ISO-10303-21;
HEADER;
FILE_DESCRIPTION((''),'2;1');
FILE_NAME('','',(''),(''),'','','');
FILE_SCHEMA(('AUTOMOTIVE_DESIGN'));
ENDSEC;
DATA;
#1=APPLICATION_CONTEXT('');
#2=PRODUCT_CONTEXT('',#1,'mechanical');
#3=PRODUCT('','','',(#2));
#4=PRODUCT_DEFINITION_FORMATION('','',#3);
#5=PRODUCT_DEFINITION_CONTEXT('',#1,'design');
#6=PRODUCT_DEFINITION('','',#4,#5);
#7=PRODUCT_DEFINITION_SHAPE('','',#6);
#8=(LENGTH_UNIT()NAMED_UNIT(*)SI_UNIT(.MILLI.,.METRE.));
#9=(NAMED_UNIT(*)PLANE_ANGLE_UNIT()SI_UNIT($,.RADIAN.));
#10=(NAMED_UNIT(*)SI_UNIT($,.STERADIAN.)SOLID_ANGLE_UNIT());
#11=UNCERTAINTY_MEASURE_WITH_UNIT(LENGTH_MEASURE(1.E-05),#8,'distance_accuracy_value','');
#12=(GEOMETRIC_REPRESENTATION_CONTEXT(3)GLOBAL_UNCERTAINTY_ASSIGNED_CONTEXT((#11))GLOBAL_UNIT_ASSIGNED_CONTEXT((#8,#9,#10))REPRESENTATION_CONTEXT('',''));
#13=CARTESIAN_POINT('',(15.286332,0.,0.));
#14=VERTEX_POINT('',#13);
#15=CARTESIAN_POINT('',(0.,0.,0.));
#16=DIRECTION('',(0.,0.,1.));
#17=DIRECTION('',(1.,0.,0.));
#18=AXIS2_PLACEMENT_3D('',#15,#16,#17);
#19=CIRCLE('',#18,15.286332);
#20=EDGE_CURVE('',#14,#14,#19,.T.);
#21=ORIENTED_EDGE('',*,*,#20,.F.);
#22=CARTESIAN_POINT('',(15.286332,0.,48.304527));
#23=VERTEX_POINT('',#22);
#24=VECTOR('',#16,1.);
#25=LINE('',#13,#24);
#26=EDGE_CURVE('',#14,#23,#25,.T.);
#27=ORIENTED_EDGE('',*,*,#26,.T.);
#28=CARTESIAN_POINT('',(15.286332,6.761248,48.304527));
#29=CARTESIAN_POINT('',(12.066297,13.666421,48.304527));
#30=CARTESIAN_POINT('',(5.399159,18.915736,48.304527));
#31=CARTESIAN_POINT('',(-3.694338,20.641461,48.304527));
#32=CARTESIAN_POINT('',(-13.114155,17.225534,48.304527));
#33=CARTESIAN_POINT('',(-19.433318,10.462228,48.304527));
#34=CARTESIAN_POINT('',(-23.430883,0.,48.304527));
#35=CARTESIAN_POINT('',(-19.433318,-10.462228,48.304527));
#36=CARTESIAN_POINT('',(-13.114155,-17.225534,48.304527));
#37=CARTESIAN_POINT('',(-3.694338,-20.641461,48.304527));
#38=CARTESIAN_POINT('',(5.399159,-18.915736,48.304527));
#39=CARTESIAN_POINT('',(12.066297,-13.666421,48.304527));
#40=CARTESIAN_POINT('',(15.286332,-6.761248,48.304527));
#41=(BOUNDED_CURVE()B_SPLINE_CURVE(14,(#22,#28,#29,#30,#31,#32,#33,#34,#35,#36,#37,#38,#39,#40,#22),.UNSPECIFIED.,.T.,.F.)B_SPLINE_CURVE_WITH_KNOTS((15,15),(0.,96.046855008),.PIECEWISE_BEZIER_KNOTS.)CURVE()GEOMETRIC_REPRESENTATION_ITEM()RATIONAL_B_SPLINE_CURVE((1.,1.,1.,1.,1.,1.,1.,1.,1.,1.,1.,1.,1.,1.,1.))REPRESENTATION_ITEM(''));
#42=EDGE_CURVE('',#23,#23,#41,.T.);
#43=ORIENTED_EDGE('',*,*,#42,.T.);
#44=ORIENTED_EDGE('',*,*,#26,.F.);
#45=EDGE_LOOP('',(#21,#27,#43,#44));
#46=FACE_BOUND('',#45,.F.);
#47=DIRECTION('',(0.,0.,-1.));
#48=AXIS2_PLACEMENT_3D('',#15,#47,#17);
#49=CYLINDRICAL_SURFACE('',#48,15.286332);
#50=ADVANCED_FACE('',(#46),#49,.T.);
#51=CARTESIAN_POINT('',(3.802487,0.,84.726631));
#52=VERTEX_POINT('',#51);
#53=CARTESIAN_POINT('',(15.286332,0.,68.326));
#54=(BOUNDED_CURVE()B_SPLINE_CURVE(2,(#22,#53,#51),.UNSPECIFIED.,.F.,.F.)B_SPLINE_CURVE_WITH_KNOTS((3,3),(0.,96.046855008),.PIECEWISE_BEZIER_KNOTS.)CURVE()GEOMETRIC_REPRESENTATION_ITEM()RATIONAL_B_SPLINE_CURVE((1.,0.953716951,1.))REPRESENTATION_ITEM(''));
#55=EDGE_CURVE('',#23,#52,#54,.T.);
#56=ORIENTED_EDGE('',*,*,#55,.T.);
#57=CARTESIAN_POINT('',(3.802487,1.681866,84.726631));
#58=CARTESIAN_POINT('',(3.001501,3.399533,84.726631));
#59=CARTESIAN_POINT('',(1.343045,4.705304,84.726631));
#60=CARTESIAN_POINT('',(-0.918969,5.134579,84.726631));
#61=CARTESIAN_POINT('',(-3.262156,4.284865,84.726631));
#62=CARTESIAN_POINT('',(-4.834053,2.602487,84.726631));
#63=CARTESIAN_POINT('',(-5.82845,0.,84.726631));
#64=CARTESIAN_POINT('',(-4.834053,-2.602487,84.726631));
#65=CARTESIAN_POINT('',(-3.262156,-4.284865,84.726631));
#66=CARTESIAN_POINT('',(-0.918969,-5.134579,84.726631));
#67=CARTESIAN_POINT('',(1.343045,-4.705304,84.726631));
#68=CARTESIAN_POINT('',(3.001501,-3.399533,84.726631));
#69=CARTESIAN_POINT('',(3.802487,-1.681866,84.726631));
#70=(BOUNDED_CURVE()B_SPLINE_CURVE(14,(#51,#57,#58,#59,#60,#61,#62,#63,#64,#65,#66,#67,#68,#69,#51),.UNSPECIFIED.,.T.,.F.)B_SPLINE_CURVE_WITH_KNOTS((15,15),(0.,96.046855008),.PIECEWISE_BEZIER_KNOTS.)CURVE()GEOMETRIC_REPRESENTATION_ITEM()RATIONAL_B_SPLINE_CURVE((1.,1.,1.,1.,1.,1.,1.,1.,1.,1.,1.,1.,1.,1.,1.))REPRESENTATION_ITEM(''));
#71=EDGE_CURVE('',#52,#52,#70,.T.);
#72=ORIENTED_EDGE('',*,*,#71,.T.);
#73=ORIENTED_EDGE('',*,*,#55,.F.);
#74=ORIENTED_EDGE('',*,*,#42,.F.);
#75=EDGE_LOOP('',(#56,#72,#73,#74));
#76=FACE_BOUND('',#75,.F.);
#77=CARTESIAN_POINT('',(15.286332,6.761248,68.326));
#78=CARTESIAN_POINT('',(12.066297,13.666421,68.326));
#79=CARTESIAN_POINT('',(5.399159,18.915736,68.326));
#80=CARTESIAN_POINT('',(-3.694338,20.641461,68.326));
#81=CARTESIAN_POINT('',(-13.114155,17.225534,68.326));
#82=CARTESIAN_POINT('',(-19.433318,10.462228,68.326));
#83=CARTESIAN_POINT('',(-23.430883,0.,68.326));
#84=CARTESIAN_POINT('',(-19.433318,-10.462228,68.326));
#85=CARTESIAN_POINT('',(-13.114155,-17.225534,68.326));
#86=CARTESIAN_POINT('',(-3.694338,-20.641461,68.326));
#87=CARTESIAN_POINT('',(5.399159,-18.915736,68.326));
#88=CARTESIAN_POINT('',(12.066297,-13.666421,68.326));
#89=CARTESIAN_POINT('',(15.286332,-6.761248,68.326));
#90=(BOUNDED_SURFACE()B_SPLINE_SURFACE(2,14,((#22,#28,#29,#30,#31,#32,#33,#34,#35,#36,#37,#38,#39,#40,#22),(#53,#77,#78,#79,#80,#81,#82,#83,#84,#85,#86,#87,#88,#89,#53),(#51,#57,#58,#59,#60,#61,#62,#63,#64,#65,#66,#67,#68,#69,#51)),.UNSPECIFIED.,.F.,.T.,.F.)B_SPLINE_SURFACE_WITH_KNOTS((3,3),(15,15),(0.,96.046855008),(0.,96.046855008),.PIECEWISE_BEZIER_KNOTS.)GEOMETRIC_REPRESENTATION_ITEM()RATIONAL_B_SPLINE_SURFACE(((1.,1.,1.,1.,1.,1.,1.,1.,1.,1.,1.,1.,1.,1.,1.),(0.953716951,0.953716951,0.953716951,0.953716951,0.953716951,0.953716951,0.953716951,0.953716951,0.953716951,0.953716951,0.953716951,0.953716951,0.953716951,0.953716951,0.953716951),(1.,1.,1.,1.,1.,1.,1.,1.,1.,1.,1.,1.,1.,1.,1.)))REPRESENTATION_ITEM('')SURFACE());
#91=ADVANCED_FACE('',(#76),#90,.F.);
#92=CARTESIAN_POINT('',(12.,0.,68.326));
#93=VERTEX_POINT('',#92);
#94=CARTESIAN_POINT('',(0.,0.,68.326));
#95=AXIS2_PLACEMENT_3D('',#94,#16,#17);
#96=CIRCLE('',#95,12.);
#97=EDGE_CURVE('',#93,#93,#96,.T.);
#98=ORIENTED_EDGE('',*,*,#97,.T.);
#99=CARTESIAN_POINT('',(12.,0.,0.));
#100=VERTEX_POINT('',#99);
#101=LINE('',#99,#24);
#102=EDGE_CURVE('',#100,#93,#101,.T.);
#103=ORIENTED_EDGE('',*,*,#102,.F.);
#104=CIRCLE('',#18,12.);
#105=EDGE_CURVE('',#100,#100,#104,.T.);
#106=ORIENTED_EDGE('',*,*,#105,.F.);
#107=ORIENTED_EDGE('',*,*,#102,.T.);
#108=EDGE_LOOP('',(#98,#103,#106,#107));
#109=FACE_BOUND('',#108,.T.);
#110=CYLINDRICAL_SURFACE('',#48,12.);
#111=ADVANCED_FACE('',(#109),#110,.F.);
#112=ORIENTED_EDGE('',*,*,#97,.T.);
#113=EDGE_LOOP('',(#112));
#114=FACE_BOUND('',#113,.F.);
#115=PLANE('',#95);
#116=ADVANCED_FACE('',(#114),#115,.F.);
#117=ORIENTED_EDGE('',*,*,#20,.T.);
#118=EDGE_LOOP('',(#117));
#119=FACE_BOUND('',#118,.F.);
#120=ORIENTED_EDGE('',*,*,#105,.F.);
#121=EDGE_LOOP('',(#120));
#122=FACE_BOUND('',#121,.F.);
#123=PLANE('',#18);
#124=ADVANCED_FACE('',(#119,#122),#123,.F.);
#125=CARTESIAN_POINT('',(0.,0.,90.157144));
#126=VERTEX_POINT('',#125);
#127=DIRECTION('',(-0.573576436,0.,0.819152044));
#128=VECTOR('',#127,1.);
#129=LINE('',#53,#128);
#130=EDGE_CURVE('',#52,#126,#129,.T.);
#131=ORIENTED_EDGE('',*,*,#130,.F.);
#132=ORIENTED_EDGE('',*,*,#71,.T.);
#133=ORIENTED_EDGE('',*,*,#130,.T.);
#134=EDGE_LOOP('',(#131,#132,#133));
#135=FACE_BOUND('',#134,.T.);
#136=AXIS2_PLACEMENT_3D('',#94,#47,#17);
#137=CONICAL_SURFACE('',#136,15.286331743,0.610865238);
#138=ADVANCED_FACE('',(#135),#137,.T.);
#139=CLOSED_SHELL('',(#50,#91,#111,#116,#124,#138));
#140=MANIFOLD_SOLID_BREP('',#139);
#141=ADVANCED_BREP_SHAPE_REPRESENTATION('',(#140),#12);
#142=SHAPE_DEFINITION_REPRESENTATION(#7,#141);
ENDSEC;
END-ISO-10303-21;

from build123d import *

# Parameters (mm, degrees)
F0_R     = 15.286331743
F0_R_2   = 12
F1_DEPTH = 68.326
F2_R     = 15.286331743
F3_DEPTH = 25.4
F3_TAPER = 35
F4_R     = 63.5


with BuildPart() as f1:
    # F0 (on Top) → F1 (new body)
    with BuildSketch(Plane.XY):
        Circle(F0_R)
        Circle(F0_R_2, mode=Mode.SUBTRACT)
    extrude(amount=F1_DEPTH)

    # F2 (on face) → F3 (join)
    with BuildSketch(Plane.XY.offset(68.326)):
        Circle(F2_R)
    extrude(amount=F3_DEPTH, taper=F3_TAPER)

    # F4
    f4_edges = [f1.edges().sort_by_distance(p)[0] for p in [
        (-15.286332, 0, 68.326),
    ]]
    fillet(f4_edges, radius=F4_R)


solid = f1.part
